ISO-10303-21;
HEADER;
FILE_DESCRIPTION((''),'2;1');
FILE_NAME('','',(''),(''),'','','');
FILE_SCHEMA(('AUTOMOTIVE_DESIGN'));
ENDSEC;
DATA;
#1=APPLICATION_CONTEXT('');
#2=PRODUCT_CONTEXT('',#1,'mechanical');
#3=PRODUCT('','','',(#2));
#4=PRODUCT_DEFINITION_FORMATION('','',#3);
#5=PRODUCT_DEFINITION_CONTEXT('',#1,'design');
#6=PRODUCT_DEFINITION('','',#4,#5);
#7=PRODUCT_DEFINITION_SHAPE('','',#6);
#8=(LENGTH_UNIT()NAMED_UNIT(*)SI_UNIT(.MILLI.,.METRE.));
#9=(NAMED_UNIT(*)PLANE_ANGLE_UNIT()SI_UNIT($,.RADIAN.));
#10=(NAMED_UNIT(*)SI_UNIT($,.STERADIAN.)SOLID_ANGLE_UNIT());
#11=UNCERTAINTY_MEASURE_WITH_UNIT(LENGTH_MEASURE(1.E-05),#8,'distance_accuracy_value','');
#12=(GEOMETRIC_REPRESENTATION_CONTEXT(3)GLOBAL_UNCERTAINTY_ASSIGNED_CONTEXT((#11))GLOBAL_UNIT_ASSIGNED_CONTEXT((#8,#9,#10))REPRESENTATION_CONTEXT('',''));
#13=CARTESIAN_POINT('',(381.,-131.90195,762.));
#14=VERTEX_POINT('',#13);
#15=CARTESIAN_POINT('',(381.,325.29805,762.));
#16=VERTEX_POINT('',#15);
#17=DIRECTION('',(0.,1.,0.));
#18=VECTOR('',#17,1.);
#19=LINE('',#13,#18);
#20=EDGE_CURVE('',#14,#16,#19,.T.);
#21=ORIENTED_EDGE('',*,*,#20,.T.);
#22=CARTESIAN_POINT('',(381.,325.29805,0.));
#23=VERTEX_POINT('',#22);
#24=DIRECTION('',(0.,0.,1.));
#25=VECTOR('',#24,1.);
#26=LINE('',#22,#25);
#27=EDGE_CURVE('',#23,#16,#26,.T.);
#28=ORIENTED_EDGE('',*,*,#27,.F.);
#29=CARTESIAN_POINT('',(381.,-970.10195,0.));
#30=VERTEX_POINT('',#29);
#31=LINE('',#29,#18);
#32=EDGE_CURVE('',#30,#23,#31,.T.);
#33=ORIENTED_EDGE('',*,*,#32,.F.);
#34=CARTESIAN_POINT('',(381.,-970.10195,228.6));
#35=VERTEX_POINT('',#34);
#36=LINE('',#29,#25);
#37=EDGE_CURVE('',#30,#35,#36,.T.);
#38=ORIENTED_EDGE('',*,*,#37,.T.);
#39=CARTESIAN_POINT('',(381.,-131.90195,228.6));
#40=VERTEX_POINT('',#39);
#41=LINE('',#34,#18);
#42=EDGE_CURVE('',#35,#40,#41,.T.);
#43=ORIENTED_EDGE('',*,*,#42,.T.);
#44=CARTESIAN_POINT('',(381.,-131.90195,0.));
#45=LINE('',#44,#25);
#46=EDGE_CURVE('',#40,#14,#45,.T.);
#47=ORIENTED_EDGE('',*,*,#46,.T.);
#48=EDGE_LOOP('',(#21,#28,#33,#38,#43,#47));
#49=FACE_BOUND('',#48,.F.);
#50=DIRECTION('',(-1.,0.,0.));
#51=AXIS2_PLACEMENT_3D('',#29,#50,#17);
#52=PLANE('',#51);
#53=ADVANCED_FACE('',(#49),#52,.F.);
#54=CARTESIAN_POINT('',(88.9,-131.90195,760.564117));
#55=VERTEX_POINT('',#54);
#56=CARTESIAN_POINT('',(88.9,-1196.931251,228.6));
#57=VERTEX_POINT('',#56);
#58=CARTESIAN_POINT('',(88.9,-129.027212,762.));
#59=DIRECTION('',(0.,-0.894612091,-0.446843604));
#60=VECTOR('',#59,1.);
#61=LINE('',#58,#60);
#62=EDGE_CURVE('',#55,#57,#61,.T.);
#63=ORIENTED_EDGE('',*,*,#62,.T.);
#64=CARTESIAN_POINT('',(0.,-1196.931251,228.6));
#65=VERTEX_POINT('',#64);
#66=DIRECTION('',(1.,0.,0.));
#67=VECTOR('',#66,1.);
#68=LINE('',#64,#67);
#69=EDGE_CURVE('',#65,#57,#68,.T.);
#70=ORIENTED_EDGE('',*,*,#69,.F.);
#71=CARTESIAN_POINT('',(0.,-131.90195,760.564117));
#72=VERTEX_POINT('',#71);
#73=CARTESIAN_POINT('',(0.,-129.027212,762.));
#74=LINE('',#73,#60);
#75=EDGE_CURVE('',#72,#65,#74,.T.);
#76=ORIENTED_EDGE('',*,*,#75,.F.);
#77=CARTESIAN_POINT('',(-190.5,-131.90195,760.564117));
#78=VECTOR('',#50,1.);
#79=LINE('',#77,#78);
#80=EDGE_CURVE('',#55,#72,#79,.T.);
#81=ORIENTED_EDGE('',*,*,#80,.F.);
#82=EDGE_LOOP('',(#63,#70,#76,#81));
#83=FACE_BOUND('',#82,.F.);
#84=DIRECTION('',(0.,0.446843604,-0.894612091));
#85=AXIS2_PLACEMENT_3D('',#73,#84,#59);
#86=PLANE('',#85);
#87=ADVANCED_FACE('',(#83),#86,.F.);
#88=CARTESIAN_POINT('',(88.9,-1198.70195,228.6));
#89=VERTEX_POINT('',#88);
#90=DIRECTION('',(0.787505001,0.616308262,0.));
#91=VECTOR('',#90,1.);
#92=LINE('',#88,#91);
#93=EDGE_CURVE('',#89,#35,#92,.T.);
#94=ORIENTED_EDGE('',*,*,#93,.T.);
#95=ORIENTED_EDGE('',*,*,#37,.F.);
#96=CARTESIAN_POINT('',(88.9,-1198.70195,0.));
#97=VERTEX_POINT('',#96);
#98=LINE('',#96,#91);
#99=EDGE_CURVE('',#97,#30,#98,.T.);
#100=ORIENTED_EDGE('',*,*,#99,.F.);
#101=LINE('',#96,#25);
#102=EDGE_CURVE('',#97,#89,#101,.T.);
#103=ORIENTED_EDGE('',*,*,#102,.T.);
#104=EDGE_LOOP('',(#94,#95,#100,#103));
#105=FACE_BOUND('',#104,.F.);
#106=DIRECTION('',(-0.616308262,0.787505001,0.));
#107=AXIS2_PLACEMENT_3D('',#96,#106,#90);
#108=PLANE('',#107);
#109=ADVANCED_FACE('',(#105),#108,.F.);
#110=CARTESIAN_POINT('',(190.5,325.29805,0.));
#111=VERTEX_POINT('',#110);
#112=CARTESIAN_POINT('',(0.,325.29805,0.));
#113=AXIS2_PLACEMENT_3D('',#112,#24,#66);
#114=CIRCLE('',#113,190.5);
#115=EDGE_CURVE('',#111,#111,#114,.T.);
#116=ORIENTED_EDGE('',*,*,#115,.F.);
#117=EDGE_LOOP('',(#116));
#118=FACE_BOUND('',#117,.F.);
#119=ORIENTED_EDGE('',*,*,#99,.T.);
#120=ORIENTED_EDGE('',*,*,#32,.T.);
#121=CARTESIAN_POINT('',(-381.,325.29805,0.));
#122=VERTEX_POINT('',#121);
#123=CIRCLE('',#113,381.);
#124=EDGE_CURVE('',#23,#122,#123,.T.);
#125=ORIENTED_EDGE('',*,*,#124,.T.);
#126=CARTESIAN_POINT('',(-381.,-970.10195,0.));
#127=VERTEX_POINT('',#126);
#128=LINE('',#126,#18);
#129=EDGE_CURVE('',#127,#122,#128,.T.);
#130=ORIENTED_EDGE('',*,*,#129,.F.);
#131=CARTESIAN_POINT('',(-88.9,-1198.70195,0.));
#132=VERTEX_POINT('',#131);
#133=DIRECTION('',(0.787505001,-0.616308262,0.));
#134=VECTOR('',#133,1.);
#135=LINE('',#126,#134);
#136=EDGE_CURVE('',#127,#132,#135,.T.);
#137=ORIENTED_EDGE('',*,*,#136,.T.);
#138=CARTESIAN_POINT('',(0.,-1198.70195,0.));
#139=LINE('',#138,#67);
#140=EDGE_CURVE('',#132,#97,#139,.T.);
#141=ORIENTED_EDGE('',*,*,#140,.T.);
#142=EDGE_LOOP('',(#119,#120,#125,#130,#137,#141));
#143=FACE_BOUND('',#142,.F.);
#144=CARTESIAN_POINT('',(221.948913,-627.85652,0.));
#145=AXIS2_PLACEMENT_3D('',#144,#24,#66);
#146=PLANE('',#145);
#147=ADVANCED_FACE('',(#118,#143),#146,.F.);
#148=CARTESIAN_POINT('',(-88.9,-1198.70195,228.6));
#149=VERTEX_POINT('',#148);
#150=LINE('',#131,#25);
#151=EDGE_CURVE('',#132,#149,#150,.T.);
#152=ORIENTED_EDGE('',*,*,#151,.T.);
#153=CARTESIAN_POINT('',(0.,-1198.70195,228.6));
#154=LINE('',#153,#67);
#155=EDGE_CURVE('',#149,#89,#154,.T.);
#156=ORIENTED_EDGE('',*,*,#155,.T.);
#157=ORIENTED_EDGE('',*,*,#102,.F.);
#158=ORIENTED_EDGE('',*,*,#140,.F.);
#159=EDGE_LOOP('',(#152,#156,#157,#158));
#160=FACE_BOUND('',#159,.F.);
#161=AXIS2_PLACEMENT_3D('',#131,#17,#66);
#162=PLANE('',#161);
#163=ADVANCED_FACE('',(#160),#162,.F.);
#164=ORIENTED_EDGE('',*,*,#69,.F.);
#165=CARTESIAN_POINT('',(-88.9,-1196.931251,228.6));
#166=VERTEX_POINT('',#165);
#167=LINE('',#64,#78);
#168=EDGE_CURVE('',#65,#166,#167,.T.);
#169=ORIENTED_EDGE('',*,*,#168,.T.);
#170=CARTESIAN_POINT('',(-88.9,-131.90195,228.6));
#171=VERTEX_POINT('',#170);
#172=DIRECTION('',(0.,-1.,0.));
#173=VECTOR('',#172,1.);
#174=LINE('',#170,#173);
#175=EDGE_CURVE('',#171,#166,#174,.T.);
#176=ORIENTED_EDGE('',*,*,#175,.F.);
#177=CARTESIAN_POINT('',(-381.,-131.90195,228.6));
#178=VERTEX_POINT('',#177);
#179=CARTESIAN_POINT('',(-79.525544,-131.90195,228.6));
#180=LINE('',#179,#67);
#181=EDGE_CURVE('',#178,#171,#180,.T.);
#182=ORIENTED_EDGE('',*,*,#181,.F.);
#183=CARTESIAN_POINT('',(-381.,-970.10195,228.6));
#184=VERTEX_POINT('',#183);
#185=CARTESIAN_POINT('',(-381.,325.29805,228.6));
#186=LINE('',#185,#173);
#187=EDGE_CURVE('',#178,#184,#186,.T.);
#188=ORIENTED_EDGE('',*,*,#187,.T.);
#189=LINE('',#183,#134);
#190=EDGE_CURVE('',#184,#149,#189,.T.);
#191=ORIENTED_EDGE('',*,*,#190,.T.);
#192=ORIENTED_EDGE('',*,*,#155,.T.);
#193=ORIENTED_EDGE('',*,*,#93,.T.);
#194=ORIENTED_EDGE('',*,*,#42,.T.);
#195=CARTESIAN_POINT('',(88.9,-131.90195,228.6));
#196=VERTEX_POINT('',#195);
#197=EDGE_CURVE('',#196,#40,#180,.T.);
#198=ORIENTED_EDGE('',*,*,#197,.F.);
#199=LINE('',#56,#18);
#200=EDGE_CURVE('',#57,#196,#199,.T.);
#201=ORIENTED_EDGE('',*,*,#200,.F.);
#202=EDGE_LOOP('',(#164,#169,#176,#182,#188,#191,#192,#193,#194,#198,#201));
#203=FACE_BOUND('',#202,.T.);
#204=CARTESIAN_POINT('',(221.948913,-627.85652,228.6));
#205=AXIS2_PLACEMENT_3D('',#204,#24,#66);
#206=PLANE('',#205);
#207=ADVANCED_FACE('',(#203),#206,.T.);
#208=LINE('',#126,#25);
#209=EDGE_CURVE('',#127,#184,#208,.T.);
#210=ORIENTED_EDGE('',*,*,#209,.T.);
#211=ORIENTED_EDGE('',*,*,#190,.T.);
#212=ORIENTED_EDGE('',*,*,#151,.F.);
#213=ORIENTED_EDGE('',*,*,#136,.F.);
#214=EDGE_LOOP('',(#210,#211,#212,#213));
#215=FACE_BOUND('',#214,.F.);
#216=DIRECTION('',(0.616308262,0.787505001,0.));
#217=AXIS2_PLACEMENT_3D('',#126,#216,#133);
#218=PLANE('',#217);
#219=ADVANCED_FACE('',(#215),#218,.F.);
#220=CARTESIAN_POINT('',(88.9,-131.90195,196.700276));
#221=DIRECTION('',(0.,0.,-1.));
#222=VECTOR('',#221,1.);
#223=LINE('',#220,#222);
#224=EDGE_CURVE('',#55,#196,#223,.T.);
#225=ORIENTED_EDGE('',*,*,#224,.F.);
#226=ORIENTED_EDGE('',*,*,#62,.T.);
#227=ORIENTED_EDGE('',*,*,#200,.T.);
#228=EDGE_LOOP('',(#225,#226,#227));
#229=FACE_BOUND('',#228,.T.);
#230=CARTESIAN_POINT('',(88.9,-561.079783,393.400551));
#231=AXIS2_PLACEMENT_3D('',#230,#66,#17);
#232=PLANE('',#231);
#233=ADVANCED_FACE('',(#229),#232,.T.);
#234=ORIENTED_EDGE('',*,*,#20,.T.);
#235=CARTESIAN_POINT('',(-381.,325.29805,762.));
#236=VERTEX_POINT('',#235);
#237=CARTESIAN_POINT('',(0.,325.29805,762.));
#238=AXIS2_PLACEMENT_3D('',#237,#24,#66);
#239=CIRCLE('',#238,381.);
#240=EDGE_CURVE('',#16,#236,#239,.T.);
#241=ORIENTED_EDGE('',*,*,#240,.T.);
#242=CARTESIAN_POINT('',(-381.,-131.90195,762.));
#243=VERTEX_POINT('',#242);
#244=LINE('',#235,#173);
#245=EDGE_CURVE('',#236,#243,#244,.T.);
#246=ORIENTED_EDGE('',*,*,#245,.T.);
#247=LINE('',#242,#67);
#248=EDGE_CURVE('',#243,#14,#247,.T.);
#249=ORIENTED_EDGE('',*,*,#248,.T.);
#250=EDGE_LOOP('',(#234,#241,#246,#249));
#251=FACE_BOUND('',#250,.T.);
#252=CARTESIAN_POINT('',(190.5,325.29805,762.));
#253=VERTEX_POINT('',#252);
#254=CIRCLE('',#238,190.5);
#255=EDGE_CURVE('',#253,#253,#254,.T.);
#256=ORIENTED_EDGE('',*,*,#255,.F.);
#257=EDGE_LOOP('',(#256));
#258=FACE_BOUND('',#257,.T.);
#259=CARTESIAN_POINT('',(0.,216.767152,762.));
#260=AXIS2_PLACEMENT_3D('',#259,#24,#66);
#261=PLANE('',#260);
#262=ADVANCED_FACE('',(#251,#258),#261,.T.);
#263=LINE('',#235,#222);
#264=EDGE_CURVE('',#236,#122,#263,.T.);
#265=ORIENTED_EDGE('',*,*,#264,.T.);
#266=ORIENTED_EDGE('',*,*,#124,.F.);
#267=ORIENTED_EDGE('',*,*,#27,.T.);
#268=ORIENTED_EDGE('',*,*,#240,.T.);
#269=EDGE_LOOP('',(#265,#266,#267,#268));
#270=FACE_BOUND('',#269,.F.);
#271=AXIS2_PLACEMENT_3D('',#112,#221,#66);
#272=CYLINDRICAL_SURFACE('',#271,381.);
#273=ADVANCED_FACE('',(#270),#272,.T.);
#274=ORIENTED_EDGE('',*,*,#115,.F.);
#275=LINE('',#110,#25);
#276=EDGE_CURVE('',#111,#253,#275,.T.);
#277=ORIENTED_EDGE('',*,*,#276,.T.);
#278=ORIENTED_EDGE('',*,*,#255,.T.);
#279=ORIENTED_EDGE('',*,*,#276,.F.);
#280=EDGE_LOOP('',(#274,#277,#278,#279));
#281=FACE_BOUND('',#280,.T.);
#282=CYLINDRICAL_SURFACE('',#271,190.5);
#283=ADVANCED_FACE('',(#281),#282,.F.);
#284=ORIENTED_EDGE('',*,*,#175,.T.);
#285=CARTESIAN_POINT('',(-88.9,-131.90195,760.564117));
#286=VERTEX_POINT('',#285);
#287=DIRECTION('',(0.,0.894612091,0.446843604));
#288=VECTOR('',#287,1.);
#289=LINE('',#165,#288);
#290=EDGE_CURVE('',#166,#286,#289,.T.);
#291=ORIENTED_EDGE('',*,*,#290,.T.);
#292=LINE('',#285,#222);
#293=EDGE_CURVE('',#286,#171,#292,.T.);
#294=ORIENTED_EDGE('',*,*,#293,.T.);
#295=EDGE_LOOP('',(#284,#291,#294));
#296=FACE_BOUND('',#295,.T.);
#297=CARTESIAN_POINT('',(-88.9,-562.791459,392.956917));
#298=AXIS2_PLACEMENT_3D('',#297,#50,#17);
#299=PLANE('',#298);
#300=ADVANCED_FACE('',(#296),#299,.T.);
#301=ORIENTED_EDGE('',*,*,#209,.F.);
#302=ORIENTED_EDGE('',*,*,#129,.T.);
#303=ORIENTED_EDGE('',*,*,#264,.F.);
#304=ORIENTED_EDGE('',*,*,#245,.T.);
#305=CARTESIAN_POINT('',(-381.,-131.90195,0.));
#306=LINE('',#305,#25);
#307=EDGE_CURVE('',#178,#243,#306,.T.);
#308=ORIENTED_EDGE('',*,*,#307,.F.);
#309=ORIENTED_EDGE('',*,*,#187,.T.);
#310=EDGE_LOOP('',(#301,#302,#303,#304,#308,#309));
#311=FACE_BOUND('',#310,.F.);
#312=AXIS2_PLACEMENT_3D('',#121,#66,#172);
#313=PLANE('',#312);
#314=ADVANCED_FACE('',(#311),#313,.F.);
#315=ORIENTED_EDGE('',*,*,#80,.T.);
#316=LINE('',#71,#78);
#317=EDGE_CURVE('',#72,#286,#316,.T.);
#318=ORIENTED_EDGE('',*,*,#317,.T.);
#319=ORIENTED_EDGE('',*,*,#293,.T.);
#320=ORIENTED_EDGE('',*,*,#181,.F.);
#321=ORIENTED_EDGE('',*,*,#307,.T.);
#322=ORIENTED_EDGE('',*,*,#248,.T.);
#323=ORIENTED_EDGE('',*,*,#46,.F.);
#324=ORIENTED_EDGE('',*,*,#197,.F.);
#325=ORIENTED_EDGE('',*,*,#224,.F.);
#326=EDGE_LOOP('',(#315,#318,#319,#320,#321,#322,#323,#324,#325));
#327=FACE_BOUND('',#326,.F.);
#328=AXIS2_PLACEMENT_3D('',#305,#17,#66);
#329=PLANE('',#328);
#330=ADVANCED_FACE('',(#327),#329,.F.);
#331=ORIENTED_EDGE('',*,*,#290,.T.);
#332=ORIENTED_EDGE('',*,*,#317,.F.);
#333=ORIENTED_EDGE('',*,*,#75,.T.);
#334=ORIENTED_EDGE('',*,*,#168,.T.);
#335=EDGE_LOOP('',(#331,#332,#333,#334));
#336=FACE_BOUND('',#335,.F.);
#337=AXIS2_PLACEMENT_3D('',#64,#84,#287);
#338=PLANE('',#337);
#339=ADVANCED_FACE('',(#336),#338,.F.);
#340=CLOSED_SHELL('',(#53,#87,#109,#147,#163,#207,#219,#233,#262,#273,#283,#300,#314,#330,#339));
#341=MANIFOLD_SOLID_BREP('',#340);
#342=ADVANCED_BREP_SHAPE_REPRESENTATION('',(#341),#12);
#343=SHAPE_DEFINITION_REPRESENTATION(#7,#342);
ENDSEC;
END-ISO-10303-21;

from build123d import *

# Parameters (mm, degrees)
F0_R     = 190.5
F2_DEPTH = 762
F0_W     = 177.8
F0_H     = 1066.8
F3_DEPTH = 228.6
F4_DEPTH = 88.9
F5_DEPTH = 88.9


with BuildPart() as f2:
    # F0 (on Top) → F2 (new body)
    with BuildSketch(Plane.XY):
        with BuildLine():
            Line((88.9, -131.90195), (381, -131.90195))
            Line((381, -131.90195), (381, 325.29805))
            ThreePointArc((381, 325.29805), (0, 706.29805), (-381, 325.29805))
            Line((-381, 325.29805), (-381, -131.90195))
            Line((-381, -131.90195), (-88.9, -131.90195))
            Line((-88.9, -131.90195), (88.9, -131.90195))
        make_face()
        with Locations((0, 325.29805)):
            Circle(F0_R, mode=Mode.SUBTRACT)
    extrude(amount=F2_DEPTH)

    # F0 (on Top) → F3 (join)
    with BuildSketch(Plane.XY):
        Polygon((381, -970.10195), (381, -131.90195), (88.9, -131.90195), (88.9, -1198.70195), align=None)
        with BuildLine():
            Line((88.9, -131.90195), (381, -131.90195))
            Line((381, -131.90195), (381, 325.29805))
            ThreePointArc((381, 325.29805), (0, 706.29805), (-381, 325.29805))
            Line((-381, 325.29805), (-381, -131.90195))
            Line((-381, -131.90195), (-88.9, -131.90195))
            Line((-88.9, -131.90195), (88.9, -131.90195))
        make_face()
        with Locations((0, 325.29805)):
            Circle(F0_R, mode=Mode.SUBTRACT)
        with Locations((0, -665.30195)):
            Rectangle(F0_W, F0_H)
        Polygon((-88.9, -1198.70195), (-88.9, -131.90195), (-381, -131.90195), (-381, -970.10195), align=None)
    extrude(amount=F3_DEPTH)

    # F1 (on Right) → F4 (join)
    with BuildSketch(Plane.YZ):
        Polygon((-129.027212, 762), (-1196.931251, 228.6), (-977.461457, 228.6), (-129.027212, 228.6), align=None)
    extrude(amount=F4_DEPTH)

    # F4_face (on face) → F5 (join)
    with BuildSketch(Plane(origin=(0, -486.911717, 405.921372), x_dir=(0, 1, 0), z_dir=(-1, 0, 0))):
        Polygon((-710.019534, 177.321372), (355.009767, -354.642745), (355.009767, 177.321372), align=None)
    extrude(amount=F5_DEPTH)


solid = f2.part
